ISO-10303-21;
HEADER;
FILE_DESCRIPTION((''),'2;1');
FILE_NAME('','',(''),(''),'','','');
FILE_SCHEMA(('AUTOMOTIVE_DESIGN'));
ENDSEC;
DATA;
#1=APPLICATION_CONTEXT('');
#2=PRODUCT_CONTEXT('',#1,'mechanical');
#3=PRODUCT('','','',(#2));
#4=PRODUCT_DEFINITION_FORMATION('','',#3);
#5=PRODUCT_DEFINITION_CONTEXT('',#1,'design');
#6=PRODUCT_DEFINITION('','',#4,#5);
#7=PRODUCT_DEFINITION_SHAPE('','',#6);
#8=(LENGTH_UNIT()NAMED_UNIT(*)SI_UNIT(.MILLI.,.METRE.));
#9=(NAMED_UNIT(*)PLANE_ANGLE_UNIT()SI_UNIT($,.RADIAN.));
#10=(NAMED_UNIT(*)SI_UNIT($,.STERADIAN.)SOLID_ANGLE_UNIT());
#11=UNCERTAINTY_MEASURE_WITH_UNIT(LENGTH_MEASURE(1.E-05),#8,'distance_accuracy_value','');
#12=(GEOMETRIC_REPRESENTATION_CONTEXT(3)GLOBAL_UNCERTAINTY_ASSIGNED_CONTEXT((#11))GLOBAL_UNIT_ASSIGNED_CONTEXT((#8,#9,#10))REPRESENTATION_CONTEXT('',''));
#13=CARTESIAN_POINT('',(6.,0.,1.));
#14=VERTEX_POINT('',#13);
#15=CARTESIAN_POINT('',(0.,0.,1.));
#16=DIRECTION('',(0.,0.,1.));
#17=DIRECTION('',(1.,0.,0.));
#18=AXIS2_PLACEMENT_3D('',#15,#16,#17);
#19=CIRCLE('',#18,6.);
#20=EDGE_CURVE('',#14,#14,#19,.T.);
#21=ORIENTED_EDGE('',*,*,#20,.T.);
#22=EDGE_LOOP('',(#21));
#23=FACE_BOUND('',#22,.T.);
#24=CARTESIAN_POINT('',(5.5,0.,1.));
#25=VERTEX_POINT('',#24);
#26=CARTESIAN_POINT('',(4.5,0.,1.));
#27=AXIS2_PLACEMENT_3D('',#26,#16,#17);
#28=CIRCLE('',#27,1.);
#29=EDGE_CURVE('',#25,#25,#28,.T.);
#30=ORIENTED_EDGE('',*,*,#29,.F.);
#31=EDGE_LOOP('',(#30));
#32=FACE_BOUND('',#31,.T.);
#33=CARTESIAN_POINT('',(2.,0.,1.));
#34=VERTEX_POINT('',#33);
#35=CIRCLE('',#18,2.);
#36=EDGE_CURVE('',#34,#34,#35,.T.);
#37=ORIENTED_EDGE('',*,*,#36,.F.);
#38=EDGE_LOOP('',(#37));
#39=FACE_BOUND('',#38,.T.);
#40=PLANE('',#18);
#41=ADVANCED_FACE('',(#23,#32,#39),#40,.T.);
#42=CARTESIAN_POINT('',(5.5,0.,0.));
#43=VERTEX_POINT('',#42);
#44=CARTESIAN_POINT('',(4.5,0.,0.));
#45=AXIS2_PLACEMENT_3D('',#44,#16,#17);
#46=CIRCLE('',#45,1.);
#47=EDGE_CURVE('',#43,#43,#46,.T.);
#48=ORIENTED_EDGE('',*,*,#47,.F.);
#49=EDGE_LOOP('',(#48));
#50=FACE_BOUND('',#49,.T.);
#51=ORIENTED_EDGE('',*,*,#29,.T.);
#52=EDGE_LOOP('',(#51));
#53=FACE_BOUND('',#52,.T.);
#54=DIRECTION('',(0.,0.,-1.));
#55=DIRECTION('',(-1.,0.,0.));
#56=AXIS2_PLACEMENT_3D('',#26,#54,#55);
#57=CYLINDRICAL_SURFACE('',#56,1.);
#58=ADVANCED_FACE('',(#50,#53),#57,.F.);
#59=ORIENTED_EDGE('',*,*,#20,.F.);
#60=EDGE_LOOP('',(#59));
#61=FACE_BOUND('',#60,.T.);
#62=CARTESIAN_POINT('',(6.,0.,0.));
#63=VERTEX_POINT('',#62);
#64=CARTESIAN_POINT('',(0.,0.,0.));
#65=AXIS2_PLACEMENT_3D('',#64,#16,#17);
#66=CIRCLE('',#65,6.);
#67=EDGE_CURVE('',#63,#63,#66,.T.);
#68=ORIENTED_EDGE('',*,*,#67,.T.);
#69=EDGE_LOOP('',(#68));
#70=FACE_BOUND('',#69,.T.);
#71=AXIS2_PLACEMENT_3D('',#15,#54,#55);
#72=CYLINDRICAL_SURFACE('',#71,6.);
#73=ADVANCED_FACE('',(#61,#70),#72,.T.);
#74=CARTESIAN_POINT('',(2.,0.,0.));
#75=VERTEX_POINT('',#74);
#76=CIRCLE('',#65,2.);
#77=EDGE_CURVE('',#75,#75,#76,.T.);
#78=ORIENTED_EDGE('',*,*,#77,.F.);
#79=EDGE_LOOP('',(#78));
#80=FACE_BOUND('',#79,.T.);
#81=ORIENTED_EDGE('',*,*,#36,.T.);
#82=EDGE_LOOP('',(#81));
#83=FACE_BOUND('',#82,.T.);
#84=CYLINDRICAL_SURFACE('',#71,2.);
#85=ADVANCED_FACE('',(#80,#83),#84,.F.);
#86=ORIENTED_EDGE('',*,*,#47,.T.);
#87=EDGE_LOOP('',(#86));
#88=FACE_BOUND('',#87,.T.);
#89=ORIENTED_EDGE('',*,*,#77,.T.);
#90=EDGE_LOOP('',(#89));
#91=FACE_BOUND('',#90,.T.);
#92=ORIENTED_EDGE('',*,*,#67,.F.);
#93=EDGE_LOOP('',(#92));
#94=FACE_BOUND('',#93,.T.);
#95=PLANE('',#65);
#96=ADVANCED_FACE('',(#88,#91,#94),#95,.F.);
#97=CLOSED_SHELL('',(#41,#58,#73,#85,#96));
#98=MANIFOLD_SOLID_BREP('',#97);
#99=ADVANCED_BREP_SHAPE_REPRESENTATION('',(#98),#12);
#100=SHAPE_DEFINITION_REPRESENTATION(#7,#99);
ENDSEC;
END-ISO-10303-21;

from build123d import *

# Parameters (mm, degrees)
SKETCH1_R           = 6
SKETCH1_R_2         = 2
SKETCH1_R_3         = 1
BOSS_EXTRUDE1_DEPTH = 1


with BuildPart() as part:
    # Sketch1 → Boss-Extrude1 (new body)
    with BuildSketch(Plane.XY):
        Circle(SKETCH1_R)
        Circle(SKETCH1_R_2, mode=Mode.SUBTRACT)
        with Locations((4.5, 0)):
            Circle(SKETCH1_R_3, mode=Mode.SUBTRACT)
    extrude(amount=BOSS_EXTRUDE1_DEPTH)


solid = part.part
